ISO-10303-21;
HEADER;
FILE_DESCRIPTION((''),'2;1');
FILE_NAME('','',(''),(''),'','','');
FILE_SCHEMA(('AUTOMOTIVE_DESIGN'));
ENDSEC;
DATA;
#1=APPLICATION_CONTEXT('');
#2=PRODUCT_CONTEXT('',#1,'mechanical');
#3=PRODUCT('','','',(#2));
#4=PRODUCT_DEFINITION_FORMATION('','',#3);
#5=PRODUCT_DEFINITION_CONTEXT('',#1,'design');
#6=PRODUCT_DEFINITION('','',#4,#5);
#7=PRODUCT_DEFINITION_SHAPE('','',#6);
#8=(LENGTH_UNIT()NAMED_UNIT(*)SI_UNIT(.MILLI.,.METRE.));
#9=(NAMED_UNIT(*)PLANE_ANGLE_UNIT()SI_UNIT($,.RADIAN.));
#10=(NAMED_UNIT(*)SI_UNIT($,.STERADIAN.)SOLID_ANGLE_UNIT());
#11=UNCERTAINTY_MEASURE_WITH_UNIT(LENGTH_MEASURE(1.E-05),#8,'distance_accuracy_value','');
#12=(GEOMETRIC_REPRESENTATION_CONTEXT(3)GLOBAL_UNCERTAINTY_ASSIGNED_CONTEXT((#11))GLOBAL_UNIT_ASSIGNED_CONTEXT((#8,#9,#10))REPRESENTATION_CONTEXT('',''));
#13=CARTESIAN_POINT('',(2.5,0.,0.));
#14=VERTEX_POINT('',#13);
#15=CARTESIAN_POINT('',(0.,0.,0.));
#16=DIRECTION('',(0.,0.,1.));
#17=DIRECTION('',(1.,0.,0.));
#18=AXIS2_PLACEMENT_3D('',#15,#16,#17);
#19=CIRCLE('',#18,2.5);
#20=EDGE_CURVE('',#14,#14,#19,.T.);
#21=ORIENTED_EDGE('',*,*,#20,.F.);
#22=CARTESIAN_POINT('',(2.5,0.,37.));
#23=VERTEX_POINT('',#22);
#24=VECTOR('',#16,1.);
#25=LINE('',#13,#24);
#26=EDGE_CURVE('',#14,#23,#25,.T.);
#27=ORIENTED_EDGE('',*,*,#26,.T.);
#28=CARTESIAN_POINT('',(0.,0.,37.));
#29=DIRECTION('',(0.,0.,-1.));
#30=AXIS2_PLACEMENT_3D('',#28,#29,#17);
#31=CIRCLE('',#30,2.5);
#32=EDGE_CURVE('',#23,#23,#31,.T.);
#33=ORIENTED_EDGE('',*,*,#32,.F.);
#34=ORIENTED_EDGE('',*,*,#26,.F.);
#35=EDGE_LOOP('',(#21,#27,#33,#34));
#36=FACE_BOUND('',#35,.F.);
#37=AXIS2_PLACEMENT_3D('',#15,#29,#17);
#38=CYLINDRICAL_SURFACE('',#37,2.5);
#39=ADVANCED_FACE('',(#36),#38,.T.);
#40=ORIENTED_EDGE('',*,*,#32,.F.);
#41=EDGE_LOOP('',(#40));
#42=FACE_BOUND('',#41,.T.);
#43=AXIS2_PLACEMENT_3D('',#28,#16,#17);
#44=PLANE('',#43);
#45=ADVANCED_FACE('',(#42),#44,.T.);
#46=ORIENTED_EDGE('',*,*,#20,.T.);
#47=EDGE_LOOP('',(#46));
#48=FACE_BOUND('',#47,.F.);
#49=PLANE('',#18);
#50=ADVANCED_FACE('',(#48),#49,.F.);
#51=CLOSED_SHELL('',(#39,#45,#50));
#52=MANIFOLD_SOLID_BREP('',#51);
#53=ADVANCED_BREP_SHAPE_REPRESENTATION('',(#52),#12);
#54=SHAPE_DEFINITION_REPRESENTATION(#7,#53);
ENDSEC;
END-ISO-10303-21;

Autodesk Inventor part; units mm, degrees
ref_plane "YZ Plane" through (0, 0, 0) normal (1, 0, 0) x (0, 1, 0)
ref_plane "XZ Plane" through (0, 0, 0) normal (0, 1, 0) x (-1, 0, 0)
ref_plane "XY Plane" through (0, 0, 0) normal (0, 0, 1) x (1, 0, 0)
sketch "Skizze1" plane through (0, 0, 0) normal (0, 0, 1) x (1, 0, 0)
  line L0 (0, -3.5) -> (0, 3.5) projected
  line L1 (-3.5, 0) -> (3.5, 0) projected
  circle A0 centre (0, 0) radius 2.5
  dimension "d0" = 5
extrude "Extrusion1" add sketch "Skizze1" along normal blind 37
properties part number "Achse"
